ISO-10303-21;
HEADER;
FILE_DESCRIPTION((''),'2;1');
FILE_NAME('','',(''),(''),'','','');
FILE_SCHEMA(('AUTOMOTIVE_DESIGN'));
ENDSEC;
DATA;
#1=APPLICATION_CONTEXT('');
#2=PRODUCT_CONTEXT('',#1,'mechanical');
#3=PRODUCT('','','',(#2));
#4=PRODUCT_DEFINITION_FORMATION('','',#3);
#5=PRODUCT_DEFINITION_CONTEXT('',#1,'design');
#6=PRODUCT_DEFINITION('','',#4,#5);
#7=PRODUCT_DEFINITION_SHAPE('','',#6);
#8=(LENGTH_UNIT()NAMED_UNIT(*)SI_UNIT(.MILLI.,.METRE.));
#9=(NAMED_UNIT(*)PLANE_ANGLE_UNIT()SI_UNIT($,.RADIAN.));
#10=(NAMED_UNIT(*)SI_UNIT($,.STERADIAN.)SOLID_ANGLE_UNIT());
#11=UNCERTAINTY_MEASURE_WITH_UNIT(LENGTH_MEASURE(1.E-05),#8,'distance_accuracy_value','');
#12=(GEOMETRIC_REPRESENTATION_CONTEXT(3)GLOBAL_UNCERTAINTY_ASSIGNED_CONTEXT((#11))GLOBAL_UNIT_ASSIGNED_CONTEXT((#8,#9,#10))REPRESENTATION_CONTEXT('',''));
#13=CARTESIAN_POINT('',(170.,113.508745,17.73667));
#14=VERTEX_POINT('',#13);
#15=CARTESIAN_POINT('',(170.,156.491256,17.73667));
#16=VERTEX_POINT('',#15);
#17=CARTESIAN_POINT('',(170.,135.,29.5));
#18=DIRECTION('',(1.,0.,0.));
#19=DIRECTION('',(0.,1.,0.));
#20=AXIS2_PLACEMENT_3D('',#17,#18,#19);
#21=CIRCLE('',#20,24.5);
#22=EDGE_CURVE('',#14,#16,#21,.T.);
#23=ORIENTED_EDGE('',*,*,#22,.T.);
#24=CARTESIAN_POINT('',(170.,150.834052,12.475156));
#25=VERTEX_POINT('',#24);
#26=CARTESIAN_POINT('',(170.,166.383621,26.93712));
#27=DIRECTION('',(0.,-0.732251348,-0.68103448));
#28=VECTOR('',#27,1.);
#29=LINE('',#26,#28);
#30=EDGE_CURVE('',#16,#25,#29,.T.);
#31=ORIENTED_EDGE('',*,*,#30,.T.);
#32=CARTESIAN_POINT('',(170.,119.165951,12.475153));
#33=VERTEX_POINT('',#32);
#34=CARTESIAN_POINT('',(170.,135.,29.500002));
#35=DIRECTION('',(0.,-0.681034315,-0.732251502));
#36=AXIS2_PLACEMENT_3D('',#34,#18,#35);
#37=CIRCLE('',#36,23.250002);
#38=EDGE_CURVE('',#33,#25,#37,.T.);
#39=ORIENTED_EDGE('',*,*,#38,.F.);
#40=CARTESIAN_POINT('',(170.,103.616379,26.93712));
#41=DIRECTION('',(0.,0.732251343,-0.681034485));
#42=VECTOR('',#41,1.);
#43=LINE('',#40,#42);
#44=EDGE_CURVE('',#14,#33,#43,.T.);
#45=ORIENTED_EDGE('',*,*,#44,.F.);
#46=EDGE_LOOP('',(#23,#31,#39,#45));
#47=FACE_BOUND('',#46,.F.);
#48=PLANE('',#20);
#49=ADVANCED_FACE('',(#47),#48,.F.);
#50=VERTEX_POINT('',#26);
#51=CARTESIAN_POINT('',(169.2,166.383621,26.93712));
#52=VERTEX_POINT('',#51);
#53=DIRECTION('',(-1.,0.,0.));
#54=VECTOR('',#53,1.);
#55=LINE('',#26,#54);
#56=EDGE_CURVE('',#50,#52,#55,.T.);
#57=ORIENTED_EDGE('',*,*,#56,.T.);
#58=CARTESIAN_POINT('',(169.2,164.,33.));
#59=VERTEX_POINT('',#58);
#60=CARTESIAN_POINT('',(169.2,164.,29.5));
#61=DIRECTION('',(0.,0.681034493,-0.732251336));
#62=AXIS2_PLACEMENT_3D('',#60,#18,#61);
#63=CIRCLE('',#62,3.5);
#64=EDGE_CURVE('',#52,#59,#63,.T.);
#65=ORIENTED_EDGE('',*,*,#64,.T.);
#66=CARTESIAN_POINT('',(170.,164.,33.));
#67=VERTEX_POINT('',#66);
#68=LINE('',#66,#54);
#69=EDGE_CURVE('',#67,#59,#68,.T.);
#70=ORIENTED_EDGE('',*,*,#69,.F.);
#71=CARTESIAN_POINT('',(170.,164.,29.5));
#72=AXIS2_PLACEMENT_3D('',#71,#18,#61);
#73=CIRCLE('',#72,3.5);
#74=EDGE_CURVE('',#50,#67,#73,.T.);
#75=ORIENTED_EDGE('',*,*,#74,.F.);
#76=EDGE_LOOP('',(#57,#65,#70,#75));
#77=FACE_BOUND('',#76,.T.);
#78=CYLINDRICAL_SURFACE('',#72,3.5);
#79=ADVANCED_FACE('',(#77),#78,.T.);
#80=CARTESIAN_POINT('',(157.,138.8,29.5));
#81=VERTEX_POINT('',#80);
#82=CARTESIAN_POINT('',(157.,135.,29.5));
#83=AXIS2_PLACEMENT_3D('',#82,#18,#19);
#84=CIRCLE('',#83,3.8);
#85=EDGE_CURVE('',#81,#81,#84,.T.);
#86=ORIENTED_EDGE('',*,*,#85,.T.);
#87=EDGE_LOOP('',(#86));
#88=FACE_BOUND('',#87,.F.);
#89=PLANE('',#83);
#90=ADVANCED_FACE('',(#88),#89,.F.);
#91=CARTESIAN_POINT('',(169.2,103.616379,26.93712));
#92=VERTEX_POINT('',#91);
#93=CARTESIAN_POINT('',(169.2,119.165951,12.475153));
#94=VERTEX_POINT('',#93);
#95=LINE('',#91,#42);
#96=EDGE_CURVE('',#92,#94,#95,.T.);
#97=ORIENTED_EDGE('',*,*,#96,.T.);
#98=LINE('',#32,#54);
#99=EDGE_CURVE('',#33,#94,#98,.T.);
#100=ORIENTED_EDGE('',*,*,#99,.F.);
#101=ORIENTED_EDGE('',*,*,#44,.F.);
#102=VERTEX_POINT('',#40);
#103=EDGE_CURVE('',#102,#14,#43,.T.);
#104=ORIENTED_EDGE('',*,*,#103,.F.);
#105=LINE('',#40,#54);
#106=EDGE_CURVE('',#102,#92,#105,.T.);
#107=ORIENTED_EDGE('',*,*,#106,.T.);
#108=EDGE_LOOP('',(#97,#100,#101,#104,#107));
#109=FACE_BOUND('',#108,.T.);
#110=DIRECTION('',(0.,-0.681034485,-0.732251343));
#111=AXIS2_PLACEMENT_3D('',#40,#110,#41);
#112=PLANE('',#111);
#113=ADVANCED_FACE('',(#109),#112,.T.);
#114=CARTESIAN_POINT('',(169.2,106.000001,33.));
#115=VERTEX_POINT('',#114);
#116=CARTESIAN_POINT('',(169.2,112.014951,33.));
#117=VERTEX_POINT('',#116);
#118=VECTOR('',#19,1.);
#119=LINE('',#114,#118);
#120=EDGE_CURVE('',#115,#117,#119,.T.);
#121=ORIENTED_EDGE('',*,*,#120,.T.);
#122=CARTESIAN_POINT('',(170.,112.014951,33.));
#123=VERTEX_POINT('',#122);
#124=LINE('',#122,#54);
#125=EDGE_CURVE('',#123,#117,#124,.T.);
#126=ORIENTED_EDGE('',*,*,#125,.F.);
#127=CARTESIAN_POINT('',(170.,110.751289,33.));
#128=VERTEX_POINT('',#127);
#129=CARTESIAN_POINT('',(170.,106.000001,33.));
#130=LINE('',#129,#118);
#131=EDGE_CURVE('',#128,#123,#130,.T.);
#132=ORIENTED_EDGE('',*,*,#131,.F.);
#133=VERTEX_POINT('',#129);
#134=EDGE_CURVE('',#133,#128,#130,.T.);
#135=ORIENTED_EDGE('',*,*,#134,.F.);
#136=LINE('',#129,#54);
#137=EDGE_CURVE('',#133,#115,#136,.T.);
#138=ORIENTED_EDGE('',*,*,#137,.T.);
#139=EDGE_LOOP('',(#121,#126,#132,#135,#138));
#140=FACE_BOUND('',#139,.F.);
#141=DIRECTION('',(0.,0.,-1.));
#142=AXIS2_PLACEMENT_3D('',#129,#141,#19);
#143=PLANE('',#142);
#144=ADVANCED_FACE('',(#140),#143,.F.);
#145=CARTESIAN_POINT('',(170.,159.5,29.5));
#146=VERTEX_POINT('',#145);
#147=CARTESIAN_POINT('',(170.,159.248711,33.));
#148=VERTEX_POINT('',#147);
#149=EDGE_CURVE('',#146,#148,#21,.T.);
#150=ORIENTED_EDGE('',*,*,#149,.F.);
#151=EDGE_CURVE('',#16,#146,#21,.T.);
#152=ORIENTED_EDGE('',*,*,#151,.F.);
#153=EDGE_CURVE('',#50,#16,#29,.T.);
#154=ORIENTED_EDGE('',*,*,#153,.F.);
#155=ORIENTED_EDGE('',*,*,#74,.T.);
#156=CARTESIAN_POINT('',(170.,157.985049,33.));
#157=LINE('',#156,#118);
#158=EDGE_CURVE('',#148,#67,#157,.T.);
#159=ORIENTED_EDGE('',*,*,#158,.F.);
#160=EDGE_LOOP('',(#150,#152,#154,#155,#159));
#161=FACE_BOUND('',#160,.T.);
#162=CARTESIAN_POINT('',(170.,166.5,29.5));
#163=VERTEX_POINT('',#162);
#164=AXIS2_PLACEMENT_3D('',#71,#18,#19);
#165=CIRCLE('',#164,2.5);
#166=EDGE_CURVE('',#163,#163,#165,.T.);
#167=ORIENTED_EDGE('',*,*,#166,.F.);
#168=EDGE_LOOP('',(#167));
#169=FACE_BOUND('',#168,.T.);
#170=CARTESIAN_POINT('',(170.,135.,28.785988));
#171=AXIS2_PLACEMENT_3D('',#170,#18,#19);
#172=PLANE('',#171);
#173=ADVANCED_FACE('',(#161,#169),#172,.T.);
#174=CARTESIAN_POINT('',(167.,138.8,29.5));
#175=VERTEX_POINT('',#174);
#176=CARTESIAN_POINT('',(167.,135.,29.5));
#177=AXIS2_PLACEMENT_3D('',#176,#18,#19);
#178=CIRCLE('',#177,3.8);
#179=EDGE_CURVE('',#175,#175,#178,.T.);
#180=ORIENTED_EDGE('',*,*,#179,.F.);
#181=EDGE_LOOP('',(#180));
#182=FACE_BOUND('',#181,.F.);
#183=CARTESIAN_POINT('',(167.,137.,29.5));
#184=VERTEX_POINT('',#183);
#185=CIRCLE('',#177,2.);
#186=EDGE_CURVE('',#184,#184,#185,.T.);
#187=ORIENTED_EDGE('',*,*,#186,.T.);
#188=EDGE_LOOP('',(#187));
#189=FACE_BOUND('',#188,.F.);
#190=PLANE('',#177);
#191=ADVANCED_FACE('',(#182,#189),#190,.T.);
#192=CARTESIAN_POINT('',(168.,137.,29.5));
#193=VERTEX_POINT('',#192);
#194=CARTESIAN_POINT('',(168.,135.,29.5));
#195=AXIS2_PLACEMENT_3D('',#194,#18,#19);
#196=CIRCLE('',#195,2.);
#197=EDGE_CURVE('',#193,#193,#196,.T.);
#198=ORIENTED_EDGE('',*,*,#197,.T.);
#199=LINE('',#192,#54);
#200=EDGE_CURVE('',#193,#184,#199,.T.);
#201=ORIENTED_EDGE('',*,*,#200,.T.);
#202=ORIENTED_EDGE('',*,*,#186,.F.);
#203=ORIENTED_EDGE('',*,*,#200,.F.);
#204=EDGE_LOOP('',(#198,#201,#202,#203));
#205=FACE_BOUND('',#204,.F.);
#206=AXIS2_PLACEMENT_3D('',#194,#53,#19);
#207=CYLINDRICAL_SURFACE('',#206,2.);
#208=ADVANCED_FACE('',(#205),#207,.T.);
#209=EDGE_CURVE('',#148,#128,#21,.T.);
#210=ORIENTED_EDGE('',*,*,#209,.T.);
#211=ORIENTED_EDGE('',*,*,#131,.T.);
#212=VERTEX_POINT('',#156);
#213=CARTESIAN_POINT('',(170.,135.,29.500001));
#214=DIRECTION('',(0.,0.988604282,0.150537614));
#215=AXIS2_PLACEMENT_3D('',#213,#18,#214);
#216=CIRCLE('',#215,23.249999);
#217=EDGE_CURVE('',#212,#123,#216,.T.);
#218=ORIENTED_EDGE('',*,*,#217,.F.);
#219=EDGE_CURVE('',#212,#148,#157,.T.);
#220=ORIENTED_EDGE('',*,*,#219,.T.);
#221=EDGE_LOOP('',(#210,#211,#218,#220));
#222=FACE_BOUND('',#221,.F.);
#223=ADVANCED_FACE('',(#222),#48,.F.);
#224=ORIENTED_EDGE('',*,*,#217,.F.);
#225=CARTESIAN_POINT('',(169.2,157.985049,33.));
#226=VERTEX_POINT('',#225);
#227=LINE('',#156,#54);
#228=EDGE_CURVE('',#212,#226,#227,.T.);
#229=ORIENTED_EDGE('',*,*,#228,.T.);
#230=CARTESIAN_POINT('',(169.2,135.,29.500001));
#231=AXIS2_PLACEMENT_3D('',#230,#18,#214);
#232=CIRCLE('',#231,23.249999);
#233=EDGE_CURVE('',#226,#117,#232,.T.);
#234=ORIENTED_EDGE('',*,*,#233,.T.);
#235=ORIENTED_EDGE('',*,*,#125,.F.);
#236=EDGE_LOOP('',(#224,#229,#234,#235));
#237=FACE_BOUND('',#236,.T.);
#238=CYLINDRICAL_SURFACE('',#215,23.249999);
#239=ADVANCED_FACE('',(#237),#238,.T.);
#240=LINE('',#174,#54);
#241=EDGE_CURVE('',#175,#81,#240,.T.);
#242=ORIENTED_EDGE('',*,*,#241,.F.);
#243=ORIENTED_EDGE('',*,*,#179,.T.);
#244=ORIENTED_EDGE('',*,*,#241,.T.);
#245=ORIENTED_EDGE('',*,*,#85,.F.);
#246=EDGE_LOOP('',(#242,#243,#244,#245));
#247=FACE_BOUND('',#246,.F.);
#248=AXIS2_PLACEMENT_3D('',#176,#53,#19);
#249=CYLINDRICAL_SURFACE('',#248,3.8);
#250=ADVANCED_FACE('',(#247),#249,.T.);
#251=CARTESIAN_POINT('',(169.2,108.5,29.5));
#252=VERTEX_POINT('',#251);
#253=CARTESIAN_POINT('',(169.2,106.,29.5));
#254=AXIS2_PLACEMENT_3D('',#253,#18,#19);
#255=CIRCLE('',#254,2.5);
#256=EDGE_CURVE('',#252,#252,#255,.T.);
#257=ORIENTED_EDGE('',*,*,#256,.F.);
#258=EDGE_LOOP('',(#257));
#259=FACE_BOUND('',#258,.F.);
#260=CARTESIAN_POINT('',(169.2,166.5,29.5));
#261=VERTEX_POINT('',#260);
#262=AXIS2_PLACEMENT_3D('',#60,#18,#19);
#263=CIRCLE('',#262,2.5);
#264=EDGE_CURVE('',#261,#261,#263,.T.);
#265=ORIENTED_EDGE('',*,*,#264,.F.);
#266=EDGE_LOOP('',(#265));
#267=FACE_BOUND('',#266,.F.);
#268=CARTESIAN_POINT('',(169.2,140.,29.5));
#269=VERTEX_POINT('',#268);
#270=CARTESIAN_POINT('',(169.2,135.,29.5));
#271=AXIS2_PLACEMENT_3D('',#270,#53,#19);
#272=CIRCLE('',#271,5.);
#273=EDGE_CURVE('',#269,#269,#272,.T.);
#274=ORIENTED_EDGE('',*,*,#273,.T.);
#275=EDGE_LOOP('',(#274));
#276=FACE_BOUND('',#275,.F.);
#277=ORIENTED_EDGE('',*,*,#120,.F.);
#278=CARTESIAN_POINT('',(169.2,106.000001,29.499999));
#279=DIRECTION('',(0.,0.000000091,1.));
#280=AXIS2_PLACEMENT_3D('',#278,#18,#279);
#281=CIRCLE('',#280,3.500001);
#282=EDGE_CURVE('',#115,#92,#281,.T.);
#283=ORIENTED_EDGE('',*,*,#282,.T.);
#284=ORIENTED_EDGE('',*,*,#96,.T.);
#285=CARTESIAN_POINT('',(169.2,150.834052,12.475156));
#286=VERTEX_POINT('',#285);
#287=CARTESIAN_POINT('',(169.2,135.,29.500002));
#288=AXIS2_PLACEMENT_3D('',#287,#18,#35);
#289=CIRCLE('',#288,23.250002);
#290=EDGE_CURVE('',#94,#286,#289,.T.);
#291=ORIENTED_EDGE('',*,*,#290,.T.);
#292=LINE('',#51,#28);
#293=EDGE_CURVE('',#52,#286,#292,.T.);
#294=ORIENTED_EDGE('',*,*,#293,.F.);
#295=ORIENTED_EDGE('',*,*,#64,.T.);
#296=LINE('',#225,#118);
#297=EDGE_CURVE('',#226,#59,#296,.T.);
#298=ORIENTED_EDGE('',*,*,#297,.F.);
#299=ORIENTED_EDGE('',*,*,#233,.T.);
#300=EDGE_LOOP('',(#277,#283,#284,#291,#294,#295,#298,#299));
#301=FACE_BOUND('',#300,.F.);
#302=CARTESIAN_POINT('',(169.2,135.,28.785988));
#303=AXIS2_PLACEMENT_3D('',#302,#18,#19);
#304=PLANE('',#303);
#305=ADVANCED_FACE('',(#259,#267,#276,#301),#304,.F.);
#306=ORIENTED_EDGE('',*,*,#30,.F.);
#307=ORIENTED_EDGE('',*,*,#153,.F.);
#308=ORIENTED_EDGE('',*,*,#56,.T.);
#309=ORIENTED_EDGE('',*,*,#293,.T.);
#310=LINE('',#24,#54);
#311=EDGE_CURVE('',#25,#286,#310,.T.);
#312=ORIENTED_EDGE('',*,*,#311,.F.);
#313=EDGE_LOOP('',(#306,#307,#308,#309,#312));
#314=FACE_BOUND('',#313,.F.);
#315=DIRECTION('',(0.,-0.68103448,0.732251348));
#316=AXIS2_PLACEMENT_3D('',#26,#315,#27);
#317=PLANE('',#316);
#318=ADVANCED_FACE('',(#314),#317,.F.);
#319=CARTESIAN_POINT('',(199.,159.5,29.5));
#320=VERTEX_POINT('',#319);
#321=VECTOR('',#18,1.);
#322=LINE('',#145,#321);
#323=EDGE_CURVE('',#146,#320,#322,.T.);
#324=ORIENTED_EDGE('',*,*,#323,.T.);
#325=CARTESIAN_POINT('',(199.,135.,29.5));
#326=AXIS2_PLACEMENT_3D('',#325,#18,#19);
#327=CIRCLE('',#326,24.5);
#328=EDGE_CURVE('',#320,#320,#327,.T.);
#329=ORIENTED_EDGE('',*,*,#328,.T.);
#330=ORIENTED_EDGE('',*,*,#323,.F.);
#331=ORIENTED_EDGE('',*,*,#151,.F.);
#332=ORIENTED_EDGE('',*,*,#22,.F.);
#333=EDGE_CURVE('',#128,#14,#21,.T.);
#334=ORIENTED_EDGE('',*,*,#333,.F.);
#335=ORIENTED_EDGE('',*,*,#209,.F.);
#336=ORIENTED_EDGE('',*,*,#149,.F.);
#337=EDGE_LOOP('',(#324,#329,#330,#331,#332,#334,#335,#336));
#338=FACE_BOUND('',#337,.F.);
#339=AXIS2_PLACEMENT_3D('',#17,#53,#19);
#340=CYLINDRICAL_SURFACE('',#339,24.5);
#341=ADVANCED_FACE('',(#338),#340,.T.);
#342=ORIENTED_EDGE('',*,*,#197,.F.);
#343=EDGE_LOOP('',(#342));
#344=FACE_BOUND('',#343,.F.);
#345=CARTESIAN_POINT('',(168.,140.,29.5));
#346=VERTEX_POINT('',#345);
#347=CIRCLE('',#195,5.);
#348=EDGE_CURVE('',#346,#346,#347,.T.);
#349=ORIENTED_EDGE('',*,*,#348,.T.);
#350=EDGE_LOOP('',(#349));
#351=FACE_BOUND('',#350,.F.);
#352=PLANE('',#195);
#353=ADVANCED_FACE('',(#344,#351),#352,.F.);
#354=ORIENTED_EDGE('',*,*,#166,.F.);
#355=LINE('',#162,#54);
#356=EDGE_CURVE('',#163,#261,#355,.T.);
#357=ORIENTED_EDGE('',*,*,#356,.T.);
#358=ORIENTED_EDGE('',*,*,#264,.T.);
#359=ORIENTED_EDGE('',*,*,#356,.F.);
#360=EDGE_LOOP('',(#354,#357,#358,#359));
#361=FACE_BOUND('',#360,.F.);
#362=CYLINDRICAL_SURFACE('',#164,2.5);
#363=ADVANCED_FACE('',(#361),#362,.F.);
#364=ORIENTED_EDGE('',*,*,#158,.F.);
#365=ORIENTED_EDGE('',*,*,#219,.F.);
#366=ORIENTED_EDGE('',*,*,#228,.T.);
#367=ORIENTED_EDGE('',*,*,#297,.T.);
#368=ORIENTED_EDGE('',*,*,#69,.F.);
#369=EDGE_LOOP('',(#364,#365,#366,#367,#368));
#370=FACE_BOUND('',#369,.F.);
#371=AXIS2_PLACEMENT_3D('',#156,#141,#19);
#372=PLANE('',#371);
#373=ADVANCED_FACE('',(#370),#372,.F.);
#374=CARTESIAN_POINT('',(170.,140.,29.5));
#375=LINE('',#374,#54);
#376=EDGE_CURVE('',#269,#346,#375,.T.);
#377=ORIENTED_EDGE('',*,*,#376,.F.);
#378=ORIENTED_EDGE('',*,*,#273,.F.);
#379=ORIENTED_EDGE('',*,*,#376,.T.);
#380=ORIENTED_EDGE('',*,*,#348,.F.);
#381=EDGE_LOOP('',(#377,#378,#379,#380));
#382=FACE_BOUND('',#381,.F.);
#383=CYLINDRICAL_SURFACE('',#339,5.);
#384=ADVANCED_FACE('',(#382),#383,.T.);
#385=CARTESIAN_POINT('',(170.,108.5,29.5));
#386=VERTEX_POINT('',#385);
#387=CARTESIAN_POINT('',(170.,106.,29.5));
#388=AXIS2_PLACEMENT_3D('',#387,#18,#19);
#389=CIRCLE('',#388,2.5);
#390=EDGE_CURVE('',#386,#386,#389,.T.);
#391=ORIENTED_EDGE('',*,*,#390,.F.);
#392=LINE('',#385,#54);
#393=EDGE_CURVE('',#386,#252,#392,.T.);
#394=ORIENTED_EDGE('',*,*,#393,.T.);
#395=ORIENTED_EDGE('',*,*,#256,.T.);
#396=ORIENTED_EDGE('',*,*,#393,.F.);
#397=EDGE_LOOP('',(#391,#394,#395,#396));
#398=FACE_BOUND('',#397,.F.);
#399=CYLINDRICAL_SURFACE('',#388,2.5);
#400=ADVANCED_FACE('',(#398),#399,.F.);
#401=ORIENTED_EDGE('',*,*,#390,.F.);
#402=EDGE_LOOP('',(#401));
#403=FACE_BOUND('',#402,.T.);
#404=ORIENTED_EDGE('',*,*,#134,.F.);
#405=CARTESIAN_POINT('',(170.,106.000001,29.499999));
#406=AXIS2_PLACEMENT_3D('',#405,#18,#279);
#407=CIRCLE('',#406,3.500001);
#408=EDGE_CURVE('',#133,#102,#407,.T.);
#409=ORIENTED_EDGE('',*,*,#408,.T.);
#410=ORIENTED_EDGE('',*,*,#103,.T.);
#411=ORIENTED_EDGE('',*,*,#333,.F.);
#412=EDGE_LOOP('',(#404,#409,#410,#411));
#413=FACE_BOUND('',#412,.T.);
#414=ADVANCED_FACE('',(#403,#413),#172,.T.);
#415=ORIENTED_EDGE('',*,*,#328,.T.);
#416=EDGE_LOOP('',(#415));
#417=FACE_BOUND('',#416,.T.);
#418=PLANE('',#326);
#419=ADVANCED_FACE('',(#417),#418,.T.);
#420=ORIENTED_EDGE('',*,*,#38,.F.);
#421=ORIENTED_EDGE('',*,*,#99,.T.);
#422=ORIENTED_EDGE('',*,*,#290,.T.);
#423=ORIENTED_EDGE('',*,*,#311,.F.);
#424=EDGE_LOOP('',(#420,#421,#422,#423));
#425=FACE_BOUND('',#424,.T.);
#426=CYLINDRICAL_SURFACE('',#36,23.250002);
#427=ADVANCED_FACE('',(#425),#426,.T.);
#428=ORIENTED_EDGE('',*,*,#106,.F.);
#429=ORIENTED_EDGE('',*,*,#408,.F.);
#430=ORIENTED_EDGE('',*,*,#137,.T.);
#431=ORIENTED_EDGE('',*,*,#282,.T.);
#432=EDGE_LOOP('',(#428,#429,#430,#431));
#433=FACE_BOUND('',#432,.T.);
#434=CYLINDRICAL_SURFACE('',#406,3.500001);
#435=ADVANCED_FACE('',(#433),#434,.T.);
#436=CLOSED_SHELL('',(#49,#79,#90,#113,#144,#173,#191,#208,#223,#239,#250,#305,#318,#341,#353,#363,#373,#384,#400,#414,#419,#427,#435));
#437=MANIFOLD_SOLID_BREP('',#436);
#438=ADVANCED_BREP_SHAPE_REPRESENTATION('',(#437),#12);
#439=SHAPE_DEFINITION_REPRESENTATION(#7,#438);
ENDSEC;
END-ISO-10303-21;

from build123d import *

# Parameters (mm, degrees)
SKETCH009_R  = 24.5
PAD004_DEPTH = 29
SKETCH011_R  = 2.5
PAD005_DEPTH = 0.8


with BuildPart() as part:
    # Sketch009 → Pad004 (new body)
    with BuildSketch(Plane.YZ):
        Circle(SKETCH009_R)
    extrude(amount=PAD004_DEPTH)

    # Sketch010 → Revolution002 (revolve)
    with BuildSketch(Plane.XY):
        Polygon((-2, 5), (-2, 2), (-3, 2), (-3, 3.8), (-13, 3.8), (-13, 0), (0, 0), (0, 5), align=None)
    revolve(axis=Axis((0, 0, 0), (1, 0, 0)))

    # Sketch011 → Pad005 (join)
    with BuildSketch(Plane.YZ):
        with BuildLine():
            ThreePointArc((-28.999999, 3.5), (-32.257305, 1.28061), (-31.383621, -2.56288))
            Line((-31.383621, -2.56288), (-15.834049, -17.024847))
            ThreePointArc((-15.834049, -17.024847), (2e-06, -23.25), (15.834052, -17.024844))
            Line((31.383621, -2.56288), (15.834052, -17.024844))
            ThreePointArc((31.383621, -2.56288), (32.257306, 1.280609), (29, 3.5))
            Line((22.985049, 3.5), (29, 3.5))
            ThreePointArc((22.985049, 3.5), (0, 23.25), (-22.985049, 3.5))
            Line((-28.999999, 3.5), (-22.985049, 3.5))
        make_face()
        with Locations((-29, 0)):
            Circle(SKETCH011_R, mode=Mode.SUBTRACT)
        with Locations((29, 0)):
            Circle(SKETCH011_R, mode=Mode.SUBTRACT)
    extrude(amount=-PAD005_DEPTH)


with BuildPart() as part_1:
    # Body005 placement: moved
    add(part.part.moved(Location((170, 135, 29.5))))


solid = part_1.part
